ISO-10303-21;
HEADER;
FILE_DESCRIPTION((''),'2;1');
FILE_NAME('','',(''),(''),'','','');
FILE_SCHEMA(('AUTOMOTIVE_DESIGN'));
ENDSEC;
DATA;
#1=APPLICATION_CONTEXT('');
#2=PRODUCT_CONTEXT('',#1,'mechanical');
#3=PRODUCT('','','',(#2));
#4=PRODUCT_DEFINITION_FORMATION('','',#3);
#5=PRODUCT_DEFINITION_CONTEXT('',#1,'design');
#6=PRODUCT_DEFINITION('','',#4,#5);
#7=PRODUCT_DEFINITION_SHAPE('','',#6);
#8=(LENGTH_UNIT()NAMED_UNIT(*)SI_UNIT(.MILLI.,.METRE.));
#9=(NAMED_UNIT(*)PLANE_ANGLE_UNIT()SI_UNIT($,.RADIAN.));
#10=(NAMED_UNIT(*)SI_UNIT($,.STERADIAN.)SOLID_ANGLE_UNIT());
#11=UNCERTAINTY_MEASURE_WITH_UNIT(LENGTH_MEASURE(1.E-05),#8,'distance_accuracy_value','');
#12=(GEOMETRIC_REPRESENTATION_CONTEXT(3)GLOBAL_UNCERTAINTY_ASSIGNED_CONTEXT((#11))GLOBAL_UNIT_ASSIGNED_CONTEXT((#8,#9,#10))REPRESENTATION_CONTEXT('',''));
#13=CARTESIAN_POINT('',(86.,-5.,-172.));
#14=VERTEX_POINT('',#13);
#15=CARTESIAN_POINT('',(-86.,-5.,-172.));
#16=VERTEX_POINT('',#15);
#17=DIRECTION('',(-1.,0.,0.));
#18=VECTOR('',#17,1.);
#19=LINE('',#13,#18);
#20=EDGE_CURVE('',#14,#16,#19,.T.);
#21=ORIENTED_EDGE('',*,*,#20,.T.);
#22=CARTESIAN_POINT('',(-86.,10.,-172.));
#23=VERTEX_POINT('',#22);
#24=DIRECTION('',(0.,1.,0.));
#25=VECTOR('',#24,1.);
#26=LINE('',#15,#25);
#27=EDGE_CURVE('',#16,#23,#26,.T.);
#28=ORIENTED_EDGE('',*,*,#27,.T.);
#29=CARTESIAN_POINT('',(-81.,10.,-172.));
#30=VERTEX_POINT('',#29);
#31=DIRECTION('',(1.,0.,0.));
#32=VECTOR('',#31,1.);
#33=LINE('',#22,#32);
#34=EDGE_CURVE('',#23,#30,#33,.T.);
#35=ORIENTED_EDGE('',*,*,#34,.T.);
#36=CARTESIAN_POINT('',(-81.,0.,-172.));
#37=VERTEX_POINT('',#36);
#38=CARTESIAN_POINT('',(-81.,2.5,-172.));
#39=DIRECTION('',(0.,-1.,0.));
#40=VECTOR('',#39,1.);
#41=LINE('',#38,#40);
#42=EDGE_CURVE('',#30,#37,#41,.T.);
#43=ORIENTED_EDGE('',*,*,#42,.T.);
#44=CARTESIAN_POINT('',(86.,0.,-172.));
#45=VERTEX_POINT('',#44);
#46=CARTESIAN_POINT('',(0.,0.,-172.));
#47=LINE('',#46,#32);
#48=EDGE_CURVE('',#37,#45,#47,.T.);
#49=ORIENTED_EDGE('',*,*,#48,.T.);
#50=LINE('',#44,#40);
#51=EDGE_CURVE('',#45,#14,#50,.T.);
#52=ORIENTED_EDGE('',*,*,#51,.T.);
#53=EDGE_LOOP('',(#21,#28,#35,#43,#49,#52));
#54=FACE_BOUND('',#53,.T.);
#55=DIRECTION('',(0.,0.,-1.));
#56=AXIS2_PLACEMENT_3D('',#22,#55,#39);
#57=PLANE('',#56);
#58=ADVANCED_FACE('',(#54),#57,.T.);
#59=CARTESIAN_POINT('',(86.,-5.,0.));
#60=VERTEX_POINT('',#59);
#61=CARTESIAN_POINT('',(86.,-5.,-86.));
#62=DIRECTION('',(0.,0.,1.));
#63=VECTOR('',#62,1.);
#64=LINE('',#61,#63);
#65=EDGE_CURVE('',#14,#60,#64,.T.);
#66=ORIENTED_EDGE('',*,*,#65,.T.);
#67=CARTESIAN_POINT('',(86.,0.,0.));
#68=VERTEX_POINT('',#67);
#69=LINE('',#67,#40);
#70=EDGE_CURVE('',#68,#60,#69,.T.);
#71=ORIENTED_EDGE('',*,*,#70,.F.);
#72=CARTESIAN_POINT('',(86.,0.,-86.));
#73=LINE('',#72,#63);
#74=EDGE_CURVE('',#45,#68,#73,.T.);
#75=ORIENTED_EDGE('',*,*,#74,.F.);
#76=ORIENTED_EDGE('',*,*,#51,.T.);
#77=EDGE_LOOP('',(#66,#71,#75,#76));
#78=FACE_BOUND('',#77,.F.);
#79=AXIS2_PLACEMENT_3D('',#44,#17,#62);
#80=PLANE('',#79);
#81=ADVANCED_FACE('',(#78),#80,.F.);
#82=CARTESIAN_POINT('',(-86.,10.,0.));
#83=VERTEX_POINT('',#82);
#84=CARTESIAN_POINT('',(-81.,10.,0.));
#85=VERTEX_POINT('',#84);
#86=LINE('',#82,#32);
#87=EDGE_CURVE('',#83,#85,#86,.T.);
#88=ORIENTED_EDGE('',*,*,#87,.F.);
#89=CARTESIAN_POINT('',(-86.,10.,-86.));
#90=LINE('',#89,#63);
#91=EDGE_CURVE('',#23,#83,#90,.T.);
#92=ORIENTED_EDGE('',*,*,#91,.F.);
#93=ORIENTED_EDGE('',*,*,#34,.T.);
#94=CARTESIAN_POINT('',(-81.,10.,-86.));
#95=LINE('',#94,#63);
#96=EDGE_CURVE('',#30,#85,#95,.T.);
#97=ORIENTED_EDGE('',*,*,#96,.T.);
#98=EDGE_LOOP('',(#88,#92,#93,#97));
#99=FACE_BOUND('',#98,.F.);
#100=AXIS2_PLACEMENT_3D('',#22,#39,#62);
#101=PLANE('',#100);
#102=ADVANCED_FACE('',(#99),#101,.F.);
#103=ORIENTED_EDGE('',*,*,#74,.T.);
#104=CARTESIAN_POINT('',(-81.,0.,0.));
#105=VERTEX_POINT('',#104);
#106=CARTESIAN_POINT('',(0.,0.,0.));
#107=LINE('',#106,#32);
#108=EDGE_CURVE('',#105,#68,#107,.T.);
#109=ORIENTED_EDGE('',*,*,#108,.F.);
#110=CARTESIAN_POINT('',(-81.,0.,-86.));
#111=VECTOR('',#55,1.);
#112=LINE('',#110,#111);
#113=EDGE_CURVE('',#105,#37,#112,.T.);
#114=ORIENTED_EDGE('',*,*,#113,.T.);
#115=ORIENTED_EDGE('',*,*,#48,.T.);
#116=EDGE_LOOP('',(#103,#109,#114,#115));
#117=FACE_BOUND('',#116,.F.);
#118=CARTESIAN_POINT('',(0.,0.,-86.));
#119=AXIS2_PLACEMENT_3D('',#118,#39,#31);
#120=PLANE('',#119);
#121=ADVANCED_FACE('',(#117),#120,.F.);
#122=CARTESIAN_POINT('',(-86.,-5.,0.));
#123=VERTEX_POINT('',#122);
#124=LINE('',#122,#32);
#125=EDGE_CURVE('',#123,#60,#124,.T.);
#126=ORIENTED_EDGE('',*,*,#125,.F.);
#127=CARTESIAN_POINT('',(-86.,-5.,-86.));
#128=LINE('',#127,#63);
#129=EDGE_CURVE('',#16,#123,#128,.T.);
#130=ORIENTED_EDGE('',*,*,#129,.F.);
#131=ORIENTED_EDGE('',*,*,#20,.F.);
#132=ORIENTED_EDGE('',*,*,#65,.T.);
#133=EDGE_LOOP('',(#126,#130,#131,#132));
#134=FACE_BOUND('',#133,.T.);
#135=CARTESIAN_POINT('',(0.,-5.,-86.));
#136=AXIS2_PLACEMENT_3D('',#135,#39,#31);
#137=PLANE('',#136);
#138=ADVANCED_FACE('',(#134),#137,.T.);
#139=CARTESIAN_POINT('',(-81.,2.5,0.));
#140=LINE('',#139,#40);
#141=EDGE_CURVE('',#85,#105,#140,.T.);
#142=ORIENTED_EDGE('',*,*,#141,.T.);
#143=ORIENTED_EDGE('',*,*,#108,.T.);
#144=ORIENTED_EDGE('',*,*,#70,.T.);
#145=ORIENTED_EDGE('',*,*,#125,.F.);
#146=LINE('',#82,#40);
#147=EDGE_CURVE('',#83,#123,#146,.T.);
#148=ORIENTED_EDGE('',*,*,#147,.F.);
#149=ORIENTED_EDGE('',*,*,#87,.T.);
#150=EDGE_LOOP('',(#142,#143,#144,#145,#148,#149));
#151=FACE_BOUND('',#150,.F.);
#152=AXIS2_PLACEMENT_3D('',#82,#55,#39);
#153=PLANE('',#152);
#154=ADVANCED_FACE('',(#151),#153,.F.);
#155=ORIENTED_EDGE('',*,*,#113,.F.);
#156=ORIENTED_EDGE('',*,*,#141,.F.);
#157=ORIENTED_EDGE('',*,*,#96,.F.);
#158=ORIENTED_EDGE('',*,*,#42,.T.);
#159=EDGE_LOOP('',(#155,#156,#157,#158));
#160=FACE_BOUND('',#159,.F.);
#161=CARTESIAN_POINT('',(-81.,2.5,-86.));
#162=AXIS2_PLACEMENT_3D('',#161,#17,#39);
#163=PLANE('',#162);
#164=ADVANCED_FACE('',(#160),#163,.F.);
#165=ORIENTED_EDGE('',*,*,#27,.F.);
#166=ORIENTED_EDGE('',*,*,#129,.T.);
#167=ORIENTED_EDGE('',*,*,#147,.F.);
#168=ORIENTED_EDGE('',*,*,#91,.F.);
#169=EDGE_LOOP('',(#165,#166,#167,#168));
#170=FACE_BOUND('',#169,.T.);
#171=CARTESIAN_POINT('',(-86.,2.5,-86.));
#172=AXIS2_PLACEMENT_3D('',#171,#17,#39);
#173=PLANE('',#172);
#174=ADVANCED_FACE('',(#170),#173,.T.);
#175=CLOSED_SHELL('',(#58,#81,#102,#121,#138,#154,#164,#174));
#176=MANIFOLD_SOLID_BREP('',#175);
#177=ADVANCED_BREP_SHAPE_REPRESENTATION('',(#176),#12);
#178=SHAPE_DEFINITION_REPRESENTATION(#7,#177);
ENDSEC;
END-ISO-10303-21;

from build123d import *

# Parameters (mm, degrees)
F0_W     = 172
F0_H     = 172
F1_DEPTH = 5
F2_W     = 15
F2_H     = 172
F3_DEPTH = 5


with BuildPart() as f1:
    # F0 (on Front) → F1 (new body)
    with BuildSketch(Plane.XZ):
        with Locations((0, -86)):
            Rectangle(F0_W, F0_H)
    extrude(amount=F1_DEPTH)

    # F2 (on face) → F3 (join)
    with BuildSketch(Plane(origin=(-86, 0, 0), x_dir=(0, -1, 0), z_dir=(-1, 0, 0))):
        with Locations((-2.5, -86)):
            Rectangle(F2_W, F2_H)
    extrude(amount=-F3_DEPTH)


solid = f1.part
